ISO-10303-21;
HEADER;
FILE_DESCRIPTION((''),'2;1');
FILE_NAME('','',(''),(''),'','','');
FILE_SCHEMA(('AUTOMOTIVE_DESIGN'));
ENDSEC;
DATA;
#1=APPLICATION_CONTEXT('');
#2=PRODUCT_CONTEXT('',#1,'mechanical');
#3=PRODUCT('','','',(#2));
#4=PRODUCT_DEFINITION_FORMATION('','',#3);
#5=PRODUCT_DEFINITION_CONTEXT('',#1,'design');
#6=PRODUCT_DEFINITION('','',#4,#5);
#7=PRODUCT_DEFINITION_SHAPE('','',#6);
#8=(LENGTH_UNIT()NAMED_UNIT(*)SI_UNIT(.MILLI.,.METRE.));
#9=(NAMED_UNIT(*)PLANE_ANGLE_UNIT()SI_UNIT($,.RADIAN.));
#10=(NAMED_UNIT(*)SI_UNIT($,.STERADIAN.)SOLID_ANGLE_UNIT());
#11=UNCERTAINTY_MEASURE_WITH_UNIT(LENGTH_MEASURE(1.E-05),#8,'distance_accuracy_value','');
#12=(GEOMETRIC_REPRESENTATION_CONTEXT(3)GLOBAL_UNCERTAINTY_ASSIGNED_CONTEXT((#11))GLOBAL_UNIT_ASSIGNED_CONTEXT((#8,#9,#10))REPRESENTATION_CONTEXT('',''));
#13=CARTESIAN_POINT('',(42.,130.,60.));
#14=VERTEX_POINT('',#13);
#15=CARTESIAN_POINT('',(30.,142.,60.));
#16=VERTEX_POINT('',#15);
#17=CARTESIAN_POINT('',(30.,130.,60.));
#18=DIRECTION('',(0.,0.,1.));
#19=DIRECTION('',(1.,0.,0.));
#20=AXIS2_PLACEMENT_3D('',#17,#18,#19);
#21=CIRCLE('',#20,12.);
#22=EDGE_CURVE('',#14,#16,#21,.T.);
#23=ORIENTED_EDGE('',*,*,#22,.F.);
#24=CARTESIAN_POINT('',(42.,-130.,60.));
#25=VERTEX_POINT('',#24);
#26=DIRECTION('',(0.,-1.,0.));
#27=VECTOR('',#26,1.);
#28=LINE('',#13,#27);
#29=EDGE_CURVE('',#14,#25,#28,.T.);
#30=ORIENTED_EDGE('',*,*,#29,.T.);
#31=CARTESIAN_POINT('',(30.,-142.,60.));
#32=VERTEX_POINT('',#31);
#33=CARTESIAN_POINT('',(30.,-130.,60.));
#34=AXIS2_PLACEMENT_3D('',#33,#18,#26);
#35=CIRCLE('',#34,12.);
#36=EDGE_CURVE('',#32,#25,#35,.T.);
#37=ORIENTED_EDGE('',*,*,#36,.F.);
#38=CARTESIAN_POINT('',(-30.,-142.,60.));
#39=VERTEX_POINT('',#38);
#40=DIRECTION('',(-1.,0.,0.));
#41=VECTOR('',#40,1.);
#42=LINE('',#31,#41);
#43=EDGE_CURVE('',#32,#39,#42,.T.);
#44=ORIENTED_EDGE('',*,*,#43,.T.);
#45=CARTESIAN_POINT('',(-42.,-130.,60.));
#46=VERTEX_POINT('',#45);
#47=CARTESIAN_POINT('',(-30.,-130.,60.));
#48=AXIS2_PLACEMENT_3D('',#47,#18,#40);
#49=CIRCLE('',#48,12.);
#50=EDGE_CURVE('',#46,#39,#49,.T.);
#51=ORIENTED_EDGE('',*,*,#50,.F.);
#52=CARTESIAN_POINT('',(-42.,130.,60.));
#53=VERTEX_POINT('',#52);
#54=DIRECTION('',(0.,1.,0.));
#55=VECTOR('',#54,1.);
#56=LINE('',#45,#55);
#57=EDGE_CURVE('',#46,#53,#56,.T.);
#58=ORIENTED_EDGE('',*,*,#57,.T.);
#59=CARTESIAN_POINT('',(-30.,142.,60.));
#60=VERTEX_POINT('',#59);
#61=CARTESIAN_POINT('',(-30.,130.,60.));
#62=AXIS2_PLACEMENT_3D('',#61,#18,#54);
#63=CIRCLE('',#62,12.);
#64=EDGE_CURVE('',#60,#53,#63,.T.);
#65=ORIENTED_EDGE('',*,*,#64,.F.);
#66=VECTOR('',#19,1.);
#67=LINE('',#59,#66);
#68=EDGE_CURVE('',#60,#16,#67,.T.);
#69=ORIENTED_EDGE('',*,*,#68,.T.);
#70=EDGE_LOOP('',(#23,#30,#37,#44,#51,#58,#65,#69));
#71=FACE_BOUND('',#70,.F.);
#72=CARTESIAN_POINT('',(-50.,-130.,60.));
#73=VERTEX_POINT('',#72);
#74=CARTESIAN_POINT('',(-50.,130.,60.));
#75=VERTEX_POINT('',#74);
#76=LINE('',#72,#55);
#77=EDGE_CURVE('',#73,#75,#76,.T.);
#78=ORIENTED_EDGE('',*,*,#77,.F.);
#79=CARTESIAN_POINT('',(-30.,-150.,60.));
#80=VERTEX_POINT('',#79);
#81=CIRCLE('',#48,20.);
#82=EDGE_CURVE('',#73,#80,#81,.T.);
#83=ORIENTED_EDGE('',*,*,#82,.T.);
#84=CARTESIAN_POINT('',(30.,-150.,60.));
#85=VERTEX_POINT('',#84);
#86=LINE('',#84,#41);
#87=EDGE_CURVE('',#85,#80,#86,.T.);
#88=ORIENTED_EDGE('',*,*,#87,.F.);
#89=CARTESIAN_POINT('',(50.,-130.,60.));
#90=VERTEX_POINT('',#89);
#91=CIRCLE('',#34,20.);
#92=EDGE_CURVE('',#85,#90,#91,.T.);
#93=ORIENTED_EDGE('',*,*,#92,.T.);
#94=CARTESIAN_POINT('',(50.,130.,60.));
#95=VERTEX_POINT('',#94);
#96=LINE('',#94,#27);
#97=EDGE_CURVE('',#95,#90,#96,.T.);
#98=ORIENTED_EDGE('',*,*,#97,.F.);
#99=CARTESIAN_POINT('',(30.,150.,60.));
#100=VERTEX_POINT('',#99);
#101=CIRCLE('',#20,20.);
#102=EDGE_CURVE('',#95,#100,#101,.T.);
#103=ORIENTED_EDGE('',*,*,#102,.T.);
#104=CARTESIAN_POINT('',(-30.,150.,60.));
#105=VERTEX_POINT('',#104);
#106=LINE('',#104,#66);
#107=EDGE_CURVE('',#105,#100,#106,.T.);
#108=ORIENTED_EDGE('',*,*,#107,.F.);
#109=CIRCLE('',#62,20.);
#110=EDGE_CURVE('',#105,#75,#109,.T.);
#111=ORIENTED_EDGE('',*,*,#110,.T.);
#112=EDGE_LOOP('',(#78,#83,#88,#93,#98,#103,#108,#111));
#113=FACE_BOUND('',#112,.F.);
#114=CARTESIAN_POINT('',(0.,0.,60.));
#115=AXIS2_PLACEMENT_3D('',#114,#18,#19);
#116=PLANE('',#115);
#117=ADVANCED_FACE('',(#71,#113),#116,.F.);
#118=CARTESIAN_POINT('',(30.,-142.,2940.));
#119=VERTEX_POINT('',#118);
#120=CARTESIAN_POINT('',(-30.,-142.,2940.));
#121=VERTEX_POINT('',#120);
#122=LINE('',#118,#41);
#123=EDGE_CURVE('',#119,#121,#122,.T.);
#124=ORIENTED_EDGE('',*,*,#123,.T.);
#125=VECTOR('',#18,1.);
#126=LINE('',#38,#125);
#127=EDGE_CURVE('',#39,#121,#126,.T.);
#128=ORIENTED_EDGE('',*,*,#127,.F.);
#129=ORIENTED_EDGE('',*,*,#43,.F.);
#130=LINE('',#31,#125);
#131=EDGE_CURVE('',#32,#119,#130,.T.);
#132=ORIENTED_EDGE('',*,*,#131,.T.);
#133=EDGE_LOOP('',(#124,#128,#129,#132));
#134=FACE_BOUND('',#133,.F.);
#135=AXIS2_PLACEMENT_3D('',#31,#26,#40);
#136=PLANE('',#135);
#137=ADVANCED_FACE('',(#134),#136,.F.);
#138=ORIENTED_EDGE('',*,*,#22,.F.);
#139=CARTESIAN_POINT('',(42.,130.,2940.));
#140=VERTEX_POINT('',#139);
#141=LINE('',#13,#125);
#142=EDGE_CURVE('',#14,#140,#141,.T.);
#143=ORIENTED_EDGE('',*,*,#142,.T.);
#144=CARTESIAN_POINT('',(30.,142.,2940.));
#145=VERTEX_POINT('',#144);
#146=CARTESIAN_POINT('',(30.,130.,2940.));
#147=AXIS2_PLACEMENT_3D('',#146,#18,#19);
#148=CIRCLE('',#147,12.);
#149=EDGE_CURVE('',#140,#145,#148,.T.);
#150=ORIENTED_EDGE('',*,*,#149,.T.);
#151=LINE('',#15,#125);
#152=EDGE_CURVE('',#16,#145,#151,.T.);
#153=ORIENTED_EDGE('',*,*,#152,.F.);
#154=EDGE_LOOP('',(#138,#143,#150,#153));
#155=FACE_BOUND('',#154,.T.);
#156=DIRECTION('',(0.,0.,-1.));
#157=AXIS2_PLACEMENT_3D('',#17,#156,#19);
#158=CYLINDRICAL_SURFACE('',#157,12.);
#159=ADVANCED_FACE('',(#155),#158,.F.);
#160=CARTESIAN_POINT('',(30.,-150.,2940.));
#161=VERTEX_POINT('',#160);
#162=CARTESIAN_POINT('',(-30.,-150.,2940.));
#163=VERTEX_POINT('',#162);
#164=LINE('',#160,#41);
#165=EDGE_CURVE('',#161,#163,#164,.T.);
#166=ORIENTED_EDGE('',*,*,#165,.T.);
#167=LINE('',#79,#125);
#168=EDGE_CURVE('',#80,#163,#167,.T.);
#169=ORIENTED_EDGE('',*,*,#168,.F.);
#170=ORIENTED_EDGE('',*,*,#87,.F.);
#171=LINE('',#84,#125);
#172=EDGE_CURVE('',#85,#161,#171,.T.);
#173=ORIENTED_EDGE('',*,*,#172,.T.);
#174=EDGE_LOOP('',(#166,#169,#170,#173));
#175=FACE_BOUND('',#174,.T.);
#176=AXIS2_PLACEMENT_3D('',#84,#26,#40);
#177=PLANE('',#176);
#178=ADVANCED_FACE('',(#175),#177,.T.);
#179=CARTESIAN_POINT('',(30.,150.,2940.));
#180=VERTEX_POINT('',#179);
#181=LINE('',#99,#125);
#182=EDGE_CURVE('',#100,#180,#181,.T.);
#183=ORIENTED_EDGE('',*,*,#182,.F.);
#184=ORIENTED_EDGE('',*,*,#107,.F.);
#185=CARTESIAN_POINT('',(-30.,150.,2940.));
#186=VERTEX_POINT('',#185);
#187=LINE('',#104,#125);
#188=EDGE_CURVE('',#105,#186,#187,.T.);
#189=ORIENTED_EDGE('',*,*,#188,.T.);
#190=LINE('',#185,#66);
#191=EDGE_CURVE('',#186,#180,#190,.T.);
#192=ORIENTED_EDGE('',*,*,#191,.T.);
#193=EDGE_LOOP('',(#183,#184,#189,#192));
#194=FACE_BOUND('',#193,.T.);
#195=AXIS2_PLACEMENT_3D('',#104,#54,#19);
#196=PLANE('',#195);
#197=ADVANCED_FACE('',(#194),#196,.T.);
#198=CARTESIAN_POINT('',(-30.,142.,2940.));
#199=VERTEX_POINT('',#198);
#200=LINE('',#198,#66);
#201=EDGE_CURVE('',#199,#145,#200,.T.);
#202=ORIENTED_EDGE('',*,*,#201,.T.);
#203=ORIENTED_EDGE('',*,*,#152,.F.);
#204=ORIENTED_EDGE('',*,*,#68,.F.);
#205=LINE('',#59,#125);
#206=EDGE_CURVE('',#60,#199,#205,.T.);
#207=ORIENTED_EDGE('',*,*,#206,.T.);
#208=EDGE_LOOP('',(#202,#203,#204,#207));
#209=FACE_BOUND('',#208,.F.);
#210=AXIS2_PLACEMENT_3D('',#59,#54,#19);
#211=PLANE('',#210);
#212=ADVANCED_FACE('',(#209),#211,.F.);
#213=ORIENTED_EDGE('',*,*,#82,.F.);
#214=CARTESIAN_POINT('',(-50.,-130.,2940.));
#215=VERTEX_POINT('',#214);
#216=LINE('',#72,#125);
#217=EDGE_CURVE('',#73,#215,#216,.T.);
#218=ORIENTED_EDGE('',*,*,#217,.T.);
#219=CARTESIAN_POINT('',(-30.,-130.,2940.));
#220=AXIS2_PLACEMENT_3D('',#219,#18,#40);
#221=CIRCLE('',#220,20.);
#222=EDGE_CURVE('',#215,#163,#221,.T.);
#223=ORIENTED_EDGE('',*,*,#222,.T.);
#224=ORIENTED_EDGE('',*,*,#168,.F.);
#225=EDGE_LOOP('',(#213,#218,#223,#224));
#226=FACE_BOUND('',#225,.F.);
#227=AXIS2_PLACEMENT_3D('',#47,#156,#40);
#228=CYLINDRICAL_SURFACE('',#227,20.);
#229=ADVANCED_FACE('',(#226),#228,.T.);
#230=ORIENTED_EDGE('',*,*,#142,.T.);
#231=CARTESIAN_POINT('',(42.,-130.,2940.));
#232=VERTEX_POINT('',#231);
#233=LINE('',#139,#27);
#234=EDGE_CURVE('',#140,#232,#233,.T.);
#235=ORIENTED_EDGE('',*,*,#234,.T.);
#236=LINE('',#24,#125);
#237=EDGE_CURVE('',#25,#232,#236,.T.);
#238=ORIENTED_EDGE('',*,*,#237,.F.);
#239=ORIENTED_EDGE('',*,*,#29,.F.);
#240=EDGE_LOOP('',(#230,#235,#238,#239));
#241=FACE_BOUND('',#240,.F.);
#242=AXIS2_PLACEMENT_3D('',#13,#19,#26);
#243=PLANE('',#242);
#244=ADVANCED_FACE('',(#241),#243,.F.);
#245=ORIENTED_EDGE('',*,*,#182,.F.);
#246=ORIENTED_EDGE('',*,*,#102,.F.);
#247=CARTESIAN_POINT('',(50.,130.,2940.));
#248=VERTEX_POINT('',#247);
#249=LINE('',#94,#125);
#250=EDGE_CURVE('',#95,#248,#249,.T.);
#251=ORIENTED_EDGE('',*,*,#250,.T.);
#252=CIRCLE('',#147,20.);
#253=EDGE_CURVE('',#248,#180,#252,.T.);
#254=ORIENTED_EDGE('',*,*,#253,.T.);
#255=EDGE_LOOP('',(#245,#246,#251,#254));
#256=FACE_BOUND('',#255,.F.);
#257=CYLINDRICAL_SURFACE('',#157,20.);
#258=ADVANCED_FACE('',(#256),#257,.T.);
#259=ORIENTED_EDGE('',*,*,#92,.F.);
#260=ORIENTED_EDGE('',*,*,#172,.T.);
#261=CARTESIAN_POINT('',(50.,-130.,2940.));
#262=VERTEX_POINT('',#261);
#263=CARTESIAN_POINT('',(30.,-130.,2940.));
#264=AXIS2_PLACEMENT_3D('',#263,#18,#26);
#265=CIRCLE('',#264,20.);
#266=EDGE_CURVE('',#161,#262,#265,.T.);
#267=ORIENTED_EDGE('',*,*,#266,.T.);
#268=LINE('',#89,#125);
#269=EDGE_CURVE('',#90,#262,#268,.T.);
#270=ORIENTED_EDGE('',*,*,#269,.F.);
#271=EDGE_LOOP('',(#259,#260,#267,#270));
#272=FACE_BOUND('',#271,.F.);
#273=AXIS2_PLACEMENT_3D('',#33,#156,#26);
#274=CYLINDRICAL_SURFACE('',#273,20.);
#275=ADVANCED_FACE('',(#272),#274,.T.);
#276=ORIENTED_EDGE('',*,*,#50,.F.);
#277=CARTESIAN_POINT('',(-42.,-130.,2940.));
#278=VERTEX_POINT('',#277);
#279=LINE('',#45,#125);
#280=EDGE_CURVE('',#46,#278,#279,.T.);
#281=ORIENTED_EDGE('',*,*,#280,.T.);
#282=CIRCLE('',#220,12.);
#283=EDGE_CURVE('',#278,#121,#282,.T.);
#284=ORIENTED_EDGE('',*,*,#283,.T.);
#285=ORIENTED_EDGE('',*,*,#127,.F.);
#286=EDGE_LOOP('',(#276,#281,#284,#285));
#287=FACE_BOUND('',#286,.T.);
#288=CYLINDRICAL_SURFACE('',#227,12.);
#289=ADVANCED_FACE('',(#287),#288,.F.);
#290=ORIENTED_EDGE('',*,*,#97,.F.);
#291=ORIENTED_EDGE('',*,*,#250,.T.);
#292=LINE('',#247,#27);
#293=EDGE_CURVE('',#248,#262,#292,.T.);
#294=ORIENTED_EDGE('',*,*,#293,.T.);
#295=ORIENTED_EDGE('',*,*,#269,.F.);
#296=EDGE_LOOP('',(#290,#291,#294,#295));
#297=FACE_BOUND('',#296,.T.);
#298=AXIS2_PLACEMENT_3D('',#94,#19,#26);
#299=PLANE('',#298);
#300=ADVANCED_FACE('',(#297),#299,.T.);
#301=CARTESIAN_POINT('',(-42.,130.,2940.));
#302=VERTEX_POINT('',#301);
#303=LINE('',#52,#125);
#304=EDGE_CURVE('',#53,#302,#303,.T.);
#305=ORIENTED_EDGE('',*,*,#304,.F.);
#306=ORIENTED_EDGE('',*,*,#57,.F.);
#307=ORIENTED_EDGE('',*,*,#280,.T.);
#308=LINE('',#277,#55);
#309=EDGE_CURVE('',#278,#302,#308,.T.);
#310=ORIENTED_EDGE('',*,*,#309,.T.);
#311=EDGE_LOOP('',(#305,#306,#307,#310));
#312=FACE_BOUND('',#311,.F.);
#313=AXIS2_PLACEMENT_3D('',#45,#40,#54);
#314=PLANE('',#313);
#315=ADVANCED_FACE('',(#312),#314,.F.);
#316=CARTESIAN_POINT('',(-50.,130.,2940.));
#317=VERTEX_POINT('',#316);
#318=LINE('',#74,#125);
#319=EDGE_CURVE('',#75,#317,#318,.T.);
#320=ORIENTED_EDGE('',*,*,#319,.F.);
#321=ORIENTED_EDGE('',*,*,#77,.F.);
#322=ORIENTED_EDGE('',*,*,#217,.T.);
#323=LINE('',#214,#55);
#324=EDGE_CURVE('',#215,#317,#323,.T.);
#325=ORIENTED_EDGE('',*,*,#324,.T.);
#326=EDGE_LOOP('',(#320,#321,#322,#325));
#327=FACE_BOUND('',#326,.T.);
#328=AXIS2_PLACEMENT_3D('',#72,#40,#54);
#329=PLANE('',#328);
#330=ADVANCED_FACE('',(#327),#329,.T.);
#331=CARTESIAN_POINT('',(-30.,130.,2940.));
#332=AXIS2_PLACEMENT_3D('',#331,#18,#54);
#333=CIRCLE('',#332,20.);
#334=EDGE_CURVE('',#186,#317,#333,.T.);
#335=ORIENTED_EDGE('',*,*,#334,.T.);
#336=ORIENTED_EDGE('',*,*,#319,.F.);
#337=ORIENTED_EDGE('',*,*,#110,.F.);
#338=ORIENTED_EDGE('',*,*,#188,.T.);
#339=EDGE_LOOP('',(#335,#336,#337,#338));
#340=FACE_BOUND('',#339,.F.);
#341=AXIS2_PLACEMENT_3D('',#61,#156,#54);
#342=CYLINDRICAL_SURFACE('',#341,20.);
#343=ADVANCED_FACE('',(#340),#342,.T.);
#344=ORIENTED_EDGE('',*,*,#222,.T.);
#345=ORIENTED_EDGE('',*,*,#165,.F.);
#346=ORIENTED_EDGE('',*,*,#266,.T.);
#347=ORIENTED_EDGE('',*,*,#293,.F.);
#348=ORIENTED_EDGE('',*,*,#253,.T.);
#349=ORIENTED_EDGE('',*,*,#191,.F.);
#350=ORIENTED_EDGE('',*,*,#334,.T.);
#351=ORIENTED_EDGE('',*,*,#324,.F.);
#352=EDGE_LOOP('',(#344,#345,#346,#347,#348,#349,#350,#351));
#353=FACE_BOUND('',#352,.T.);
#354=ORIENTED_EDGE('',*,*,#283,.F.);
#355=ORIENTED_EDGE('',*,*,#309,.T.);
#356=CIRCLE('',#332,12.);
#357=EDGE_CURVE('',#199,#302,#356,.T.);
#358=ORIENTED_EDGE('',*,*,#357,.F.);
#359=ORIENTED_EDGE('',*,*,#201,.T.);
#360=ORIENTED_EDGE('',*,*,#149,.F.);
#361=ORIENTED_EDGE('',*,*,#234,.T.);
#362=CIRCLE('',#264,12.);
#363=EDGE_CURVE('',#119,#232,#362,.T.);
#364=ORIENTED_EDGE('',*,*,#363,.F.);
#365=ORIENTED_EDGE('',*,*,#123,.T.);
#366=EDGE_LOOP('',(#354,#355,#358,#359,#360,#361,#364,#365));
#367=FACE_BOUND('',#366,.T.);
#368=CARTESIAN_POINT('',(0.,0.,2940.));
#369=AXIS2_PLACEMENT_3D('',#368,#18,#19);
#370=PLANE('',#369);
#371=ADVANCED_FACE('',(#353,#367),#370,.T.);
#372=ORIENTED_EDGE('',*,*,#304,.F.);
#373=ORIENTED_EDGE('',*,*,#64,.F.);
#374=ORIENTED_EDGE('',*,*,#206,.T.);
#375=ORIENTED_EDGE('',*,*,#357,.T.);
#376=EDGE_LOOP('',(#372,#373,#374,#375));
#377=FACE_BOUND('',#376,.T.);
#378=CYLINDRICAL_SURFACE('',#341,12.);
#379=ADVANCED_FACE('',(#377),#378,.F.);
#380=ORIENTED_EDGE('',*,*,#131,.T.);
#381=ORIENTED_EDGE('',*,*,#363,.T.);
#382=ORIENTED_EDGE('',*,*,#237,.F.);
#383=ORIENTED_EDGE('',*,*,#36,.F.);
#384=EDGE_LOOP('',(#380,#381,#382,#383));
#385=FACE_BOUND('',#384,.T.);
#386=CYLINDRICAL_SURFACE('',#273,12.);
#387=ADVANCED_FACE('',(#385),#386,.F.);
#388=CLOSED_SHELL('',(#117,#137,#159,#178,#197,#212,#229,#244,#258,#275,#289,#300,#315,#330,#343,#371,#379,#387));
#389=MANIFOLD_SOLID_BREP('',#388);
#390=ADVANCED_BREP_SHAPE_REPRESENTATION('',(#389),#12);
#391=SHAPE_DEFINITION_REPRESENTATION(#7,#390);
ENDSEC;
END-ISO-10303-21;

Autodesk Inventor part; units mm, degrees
ref_plane "Start plane" through (0, 0, 60) normal (0, 0, 1) x (1, 0, 0)
ref_plane "End plane" through (0, 0, 2940) normal (0, 0, 1) x (1, 0, 0)
sketch "Sketch" plane through (0, 0, 0) normal (0, 0, 1) x (1, 0, 0)
  line L0 (-50, -130) -> (-50, 130)
  line L1 (-30, 150) -> (30, 150)
  line L2 (50, 130) -> (50, -130)
  line L3 (30, -150) -> (-30, -150)
  arc A0 (-50, -130) -> (-30, -150) centre (-30, -130) ccw
  arc A1 (50, 130) -> (30, 150) centre (30, 130) ccw
  arc A2 (-30, 150) -> (-50, 130) centre (-30, 130) ccw
  arc A3 (30, -150) -> (50, -130) centre (30, -130) ccw
  arc A4 (-30, 142) -> (-42, 130) centre (-30, 130) ccw
  line L4 (-30, 142) -> (30, 142)
  arc A5 (42, 130) -> (30, 142) centre (30, 130) ccw
  line L5 (42, 130) -> (42, -130)
  arc A6 (30, -142) -> (42, -130) centre (30, -130) ccw
  line L6 (30, -142) -> (-30, -142)
  arc A7 (-42, -130) -> (-30, -142) centre (-30, -130) ccw
  line L7 (-42, -130) -> (-42, 130)
  line L8 (0, 131.799) -> (0, -131.799) construction
  line L9 (-75.799, 0) -> (75.799, 0) construction
  dimension "d7" = 20
  dimension "d9" = 100
  dimension "d11" = 300
  dimension "d12" = 8
  dimension "d15" = 50
  dimension "d16" = 150
extrude "Body" add sketch "Sketch" along normal up to surface (2880 mm away) from surface at 60
sketch "Sketch3" plane through (0, 0, 0) normal (0, 0, 1) x (1, 0, 0)
  line L0 (0, 0) -> (10, 0)
ref_plane "Work Plane3" through (0, 0, 0) normal (0, -1, 0) x (1, 0, 0)
ref_plane "Work Plane4" through (50, -1200, 60) normal (0, 0, -1) x (-1, 0, 0)
split "Split1" plane through (50, -1200, 60) removes the side toward (0, 0, -1)
ref_plane "Work Plane5" through (-50, -1200, 2940) normal (0, 0, 1) x (1, 0, 0)
split "Split2" plane through (-50, -1200, 2940) removes the side toward (0, 0, 1)
sketch "Sketch4" plane through (0, 0, 0) normal (0, -1, 0) x (1, 0, 0)
  line L0 (-2, 60) -> (12, 60) projected
  line L1 (-2, 2940) -> (12, 2940) projected
  dimension "d18" = 2880
equation "\"d7\" = G_IR"
equation "\"d9\" = G_W"
equation "\"d11\" = G_H"
equation "\"d12\" = G_T"
equation "\"d15\" = 0.5 * d9"
equation "\"d16\" = 0.5 * d11"
equation "\"d3\" = G_L"
equation "\"G_W\" = 100"
equation "\"G_H\" = 300"
equation "\"G_T\" = 8"
equation "\"G_IR\" = 20"
equation "\"G_L\" = d18"
properties part number "ISO 10799-2 - 300x100x8 - 2880" material "Steel, Mild"
